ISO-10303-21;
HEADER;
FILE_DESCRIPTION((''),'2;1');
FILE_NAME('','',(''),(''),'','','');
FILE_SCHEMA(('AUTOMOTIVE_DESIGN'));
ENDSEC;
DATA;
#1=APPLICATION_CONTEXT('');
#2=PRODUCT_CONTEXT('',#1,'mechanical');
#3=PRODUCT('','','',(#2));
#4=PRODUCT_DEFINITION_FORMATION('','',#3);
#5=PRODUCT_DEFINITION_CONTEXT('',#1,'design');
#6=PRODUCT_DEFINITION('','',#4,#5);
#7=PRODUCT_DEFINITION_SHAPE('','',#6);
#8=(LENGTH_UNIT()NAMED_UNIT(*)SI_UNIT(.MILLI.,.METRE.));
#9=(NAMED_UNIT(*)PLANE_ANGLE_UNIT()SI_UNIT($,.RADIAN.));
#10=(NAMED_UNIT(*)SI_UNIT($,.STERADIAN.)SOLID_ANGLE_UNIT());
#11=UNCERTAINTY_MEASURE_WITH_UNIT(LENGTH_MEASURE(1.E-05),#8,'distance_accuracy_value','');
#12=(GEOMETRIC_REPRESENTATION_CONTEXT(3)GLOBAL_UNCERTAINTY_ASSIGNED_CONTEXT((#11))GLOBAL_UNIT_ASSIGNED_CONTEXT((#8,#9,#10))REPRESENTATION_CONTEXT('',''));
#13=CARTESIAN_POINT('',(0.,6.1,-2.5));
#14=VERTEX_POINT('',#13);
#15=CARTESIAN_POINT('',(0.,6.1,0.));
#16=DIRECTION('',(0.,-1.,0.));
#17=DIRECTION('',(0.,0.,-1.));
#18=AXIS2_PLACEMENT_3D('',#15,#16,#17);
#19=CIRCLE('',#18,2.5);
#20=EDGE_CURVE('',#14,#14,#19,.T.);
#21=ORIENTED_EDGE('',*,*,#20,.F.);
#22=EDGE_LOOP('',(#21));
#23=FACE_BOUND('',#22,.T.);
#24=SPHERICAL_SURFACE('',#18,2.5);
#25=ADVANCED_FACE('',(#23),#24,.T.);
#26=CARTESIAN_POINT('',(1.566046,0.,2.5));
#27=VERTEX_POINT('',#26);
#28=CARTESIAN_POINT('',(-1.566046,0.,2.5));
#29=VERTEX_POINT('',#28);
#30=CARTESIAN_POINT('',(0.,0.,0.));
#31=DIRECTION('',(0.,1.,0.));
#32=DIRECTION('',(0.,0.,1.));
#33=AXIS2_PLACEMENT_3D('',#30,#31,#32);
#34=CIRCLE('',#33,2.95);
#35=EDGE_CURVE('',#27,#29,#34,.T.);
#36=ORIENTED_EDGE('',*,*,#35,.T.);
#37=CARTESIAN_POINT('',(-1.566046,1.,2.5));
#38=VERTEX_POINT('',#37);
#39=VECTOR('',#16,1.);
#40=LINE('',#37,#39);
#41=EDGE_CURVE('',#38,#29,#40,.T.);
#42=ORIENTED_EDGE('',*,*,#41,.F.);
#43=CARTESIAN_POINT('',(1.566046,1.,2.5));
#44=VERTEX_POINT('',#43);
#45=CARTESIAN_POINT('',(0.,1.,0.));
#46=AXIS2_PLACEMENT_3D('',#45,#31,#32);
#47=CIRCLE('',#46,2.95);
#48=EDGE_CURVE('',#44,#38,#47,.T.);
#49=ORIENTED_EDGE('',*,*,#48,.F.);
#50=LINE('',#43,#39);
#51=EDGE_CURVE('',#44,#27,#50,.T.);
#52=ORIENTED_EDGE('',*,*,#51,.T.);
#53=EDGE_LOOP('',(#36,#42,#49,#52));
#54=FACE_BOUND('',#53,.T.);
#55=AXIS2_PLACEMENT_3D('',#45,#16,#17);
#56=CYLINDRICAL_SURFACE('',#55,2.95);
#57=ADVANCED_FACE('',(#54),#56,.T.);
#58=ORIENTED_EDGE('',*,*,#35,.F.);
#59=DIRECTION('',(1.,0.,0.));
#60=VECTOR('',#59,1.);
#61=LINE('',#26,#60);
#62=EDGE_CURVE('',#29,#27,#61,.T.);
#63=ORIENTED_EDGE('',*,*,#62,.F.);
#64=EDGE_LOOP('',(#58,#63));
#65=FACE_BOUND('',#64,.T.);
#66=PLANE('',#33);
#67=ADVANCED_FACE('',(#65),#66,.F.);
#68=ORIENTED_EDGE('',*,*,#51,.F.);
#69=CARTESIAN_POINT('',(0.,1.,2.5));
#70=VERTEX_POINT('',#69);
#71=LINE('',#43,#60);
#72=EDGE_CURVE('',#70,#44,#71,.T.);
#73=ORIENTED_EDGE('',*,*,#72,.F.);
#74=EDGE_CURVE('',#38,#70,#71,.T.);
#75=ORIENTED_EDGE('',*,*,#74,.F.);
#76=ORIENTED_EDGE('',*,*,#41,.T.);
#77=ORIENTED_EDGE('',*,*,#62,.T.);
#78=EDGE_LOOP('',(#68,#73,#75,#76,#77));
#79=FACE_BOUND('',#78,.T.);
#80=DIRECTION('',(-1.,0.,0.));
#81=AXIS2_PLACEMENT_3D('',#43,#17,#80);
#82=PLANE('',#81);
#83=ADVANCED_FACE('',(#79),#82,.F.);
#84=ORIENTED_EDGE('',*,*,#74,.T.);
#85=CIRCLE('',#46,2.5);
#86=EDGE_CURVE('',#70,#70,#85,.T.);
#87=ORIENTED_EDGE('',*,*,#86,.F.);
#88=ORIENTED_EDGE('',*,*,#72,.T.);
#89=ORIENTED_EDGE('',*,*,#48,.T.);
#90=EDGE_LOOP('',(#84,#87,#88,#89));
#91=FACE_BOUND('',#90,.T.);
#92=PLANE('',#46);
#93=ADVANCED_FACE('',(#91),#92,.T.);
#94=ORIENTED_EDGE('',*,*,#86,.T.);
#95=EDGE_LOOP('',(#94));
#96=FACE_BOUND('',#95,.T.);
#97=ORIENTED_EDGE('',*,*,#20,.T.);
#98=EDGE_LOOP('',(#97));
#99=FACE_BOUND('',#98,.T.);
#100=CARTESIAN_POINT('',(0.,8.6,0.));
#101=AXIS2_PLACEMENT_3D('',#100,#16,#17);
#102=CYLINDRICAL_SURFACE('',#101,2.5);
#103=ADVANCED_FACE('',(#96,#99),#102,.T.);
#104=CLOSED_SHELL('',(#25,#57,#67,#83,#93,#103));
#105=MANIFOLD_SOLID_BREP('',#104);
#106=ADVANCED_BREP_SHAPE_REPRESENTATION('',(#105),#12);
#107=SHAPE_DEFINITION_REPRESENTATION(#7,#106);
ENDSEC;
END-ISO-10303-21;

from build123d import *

# Parameters (mm, degrees)
SKETCH1_R     = 2.5
BASE_DEPTH    = 8.6
DOME_R        = 2.5
BASECUT_DEPTH = 1


with BuildPart() as part:
    # Sketch1 → Base (new body)
    with BuildSketch(Plane(origin=(0, 0, 0), x_dir=(1, 0, 0), z_dir=(0, 1, 0))):
        with Locations(Location((0, 0, 0), (0, 0, 90))):
            Circle(SKETCH1_R)
    extrude(amount=BASE_DEPTH)

    # Dome
    dome_edges = [part.edges().sort_by_distance(p)[0] for p in [
        (0, 8.6, 2.5),
    ]]
    fillet(dome_edges, radius=DOME_R)

    # BaseCutSketch → BaseCut (add)
    with BuildSketch(Plane(origin=(0, 0, 0), x_dir=(1, 0, 0), z_dir=(0, 1, 0))):
        with BuildLine():
            Line((1.566045976, -2.5), (-1.566045976, -2.5))
            ThreePointArc((-1.566045976, -2.5), (0, 2.95), (1.566045976, -2.5))
        make_face()
    extrude(amount=BASECUT_DEPTH)


solid = part.part
